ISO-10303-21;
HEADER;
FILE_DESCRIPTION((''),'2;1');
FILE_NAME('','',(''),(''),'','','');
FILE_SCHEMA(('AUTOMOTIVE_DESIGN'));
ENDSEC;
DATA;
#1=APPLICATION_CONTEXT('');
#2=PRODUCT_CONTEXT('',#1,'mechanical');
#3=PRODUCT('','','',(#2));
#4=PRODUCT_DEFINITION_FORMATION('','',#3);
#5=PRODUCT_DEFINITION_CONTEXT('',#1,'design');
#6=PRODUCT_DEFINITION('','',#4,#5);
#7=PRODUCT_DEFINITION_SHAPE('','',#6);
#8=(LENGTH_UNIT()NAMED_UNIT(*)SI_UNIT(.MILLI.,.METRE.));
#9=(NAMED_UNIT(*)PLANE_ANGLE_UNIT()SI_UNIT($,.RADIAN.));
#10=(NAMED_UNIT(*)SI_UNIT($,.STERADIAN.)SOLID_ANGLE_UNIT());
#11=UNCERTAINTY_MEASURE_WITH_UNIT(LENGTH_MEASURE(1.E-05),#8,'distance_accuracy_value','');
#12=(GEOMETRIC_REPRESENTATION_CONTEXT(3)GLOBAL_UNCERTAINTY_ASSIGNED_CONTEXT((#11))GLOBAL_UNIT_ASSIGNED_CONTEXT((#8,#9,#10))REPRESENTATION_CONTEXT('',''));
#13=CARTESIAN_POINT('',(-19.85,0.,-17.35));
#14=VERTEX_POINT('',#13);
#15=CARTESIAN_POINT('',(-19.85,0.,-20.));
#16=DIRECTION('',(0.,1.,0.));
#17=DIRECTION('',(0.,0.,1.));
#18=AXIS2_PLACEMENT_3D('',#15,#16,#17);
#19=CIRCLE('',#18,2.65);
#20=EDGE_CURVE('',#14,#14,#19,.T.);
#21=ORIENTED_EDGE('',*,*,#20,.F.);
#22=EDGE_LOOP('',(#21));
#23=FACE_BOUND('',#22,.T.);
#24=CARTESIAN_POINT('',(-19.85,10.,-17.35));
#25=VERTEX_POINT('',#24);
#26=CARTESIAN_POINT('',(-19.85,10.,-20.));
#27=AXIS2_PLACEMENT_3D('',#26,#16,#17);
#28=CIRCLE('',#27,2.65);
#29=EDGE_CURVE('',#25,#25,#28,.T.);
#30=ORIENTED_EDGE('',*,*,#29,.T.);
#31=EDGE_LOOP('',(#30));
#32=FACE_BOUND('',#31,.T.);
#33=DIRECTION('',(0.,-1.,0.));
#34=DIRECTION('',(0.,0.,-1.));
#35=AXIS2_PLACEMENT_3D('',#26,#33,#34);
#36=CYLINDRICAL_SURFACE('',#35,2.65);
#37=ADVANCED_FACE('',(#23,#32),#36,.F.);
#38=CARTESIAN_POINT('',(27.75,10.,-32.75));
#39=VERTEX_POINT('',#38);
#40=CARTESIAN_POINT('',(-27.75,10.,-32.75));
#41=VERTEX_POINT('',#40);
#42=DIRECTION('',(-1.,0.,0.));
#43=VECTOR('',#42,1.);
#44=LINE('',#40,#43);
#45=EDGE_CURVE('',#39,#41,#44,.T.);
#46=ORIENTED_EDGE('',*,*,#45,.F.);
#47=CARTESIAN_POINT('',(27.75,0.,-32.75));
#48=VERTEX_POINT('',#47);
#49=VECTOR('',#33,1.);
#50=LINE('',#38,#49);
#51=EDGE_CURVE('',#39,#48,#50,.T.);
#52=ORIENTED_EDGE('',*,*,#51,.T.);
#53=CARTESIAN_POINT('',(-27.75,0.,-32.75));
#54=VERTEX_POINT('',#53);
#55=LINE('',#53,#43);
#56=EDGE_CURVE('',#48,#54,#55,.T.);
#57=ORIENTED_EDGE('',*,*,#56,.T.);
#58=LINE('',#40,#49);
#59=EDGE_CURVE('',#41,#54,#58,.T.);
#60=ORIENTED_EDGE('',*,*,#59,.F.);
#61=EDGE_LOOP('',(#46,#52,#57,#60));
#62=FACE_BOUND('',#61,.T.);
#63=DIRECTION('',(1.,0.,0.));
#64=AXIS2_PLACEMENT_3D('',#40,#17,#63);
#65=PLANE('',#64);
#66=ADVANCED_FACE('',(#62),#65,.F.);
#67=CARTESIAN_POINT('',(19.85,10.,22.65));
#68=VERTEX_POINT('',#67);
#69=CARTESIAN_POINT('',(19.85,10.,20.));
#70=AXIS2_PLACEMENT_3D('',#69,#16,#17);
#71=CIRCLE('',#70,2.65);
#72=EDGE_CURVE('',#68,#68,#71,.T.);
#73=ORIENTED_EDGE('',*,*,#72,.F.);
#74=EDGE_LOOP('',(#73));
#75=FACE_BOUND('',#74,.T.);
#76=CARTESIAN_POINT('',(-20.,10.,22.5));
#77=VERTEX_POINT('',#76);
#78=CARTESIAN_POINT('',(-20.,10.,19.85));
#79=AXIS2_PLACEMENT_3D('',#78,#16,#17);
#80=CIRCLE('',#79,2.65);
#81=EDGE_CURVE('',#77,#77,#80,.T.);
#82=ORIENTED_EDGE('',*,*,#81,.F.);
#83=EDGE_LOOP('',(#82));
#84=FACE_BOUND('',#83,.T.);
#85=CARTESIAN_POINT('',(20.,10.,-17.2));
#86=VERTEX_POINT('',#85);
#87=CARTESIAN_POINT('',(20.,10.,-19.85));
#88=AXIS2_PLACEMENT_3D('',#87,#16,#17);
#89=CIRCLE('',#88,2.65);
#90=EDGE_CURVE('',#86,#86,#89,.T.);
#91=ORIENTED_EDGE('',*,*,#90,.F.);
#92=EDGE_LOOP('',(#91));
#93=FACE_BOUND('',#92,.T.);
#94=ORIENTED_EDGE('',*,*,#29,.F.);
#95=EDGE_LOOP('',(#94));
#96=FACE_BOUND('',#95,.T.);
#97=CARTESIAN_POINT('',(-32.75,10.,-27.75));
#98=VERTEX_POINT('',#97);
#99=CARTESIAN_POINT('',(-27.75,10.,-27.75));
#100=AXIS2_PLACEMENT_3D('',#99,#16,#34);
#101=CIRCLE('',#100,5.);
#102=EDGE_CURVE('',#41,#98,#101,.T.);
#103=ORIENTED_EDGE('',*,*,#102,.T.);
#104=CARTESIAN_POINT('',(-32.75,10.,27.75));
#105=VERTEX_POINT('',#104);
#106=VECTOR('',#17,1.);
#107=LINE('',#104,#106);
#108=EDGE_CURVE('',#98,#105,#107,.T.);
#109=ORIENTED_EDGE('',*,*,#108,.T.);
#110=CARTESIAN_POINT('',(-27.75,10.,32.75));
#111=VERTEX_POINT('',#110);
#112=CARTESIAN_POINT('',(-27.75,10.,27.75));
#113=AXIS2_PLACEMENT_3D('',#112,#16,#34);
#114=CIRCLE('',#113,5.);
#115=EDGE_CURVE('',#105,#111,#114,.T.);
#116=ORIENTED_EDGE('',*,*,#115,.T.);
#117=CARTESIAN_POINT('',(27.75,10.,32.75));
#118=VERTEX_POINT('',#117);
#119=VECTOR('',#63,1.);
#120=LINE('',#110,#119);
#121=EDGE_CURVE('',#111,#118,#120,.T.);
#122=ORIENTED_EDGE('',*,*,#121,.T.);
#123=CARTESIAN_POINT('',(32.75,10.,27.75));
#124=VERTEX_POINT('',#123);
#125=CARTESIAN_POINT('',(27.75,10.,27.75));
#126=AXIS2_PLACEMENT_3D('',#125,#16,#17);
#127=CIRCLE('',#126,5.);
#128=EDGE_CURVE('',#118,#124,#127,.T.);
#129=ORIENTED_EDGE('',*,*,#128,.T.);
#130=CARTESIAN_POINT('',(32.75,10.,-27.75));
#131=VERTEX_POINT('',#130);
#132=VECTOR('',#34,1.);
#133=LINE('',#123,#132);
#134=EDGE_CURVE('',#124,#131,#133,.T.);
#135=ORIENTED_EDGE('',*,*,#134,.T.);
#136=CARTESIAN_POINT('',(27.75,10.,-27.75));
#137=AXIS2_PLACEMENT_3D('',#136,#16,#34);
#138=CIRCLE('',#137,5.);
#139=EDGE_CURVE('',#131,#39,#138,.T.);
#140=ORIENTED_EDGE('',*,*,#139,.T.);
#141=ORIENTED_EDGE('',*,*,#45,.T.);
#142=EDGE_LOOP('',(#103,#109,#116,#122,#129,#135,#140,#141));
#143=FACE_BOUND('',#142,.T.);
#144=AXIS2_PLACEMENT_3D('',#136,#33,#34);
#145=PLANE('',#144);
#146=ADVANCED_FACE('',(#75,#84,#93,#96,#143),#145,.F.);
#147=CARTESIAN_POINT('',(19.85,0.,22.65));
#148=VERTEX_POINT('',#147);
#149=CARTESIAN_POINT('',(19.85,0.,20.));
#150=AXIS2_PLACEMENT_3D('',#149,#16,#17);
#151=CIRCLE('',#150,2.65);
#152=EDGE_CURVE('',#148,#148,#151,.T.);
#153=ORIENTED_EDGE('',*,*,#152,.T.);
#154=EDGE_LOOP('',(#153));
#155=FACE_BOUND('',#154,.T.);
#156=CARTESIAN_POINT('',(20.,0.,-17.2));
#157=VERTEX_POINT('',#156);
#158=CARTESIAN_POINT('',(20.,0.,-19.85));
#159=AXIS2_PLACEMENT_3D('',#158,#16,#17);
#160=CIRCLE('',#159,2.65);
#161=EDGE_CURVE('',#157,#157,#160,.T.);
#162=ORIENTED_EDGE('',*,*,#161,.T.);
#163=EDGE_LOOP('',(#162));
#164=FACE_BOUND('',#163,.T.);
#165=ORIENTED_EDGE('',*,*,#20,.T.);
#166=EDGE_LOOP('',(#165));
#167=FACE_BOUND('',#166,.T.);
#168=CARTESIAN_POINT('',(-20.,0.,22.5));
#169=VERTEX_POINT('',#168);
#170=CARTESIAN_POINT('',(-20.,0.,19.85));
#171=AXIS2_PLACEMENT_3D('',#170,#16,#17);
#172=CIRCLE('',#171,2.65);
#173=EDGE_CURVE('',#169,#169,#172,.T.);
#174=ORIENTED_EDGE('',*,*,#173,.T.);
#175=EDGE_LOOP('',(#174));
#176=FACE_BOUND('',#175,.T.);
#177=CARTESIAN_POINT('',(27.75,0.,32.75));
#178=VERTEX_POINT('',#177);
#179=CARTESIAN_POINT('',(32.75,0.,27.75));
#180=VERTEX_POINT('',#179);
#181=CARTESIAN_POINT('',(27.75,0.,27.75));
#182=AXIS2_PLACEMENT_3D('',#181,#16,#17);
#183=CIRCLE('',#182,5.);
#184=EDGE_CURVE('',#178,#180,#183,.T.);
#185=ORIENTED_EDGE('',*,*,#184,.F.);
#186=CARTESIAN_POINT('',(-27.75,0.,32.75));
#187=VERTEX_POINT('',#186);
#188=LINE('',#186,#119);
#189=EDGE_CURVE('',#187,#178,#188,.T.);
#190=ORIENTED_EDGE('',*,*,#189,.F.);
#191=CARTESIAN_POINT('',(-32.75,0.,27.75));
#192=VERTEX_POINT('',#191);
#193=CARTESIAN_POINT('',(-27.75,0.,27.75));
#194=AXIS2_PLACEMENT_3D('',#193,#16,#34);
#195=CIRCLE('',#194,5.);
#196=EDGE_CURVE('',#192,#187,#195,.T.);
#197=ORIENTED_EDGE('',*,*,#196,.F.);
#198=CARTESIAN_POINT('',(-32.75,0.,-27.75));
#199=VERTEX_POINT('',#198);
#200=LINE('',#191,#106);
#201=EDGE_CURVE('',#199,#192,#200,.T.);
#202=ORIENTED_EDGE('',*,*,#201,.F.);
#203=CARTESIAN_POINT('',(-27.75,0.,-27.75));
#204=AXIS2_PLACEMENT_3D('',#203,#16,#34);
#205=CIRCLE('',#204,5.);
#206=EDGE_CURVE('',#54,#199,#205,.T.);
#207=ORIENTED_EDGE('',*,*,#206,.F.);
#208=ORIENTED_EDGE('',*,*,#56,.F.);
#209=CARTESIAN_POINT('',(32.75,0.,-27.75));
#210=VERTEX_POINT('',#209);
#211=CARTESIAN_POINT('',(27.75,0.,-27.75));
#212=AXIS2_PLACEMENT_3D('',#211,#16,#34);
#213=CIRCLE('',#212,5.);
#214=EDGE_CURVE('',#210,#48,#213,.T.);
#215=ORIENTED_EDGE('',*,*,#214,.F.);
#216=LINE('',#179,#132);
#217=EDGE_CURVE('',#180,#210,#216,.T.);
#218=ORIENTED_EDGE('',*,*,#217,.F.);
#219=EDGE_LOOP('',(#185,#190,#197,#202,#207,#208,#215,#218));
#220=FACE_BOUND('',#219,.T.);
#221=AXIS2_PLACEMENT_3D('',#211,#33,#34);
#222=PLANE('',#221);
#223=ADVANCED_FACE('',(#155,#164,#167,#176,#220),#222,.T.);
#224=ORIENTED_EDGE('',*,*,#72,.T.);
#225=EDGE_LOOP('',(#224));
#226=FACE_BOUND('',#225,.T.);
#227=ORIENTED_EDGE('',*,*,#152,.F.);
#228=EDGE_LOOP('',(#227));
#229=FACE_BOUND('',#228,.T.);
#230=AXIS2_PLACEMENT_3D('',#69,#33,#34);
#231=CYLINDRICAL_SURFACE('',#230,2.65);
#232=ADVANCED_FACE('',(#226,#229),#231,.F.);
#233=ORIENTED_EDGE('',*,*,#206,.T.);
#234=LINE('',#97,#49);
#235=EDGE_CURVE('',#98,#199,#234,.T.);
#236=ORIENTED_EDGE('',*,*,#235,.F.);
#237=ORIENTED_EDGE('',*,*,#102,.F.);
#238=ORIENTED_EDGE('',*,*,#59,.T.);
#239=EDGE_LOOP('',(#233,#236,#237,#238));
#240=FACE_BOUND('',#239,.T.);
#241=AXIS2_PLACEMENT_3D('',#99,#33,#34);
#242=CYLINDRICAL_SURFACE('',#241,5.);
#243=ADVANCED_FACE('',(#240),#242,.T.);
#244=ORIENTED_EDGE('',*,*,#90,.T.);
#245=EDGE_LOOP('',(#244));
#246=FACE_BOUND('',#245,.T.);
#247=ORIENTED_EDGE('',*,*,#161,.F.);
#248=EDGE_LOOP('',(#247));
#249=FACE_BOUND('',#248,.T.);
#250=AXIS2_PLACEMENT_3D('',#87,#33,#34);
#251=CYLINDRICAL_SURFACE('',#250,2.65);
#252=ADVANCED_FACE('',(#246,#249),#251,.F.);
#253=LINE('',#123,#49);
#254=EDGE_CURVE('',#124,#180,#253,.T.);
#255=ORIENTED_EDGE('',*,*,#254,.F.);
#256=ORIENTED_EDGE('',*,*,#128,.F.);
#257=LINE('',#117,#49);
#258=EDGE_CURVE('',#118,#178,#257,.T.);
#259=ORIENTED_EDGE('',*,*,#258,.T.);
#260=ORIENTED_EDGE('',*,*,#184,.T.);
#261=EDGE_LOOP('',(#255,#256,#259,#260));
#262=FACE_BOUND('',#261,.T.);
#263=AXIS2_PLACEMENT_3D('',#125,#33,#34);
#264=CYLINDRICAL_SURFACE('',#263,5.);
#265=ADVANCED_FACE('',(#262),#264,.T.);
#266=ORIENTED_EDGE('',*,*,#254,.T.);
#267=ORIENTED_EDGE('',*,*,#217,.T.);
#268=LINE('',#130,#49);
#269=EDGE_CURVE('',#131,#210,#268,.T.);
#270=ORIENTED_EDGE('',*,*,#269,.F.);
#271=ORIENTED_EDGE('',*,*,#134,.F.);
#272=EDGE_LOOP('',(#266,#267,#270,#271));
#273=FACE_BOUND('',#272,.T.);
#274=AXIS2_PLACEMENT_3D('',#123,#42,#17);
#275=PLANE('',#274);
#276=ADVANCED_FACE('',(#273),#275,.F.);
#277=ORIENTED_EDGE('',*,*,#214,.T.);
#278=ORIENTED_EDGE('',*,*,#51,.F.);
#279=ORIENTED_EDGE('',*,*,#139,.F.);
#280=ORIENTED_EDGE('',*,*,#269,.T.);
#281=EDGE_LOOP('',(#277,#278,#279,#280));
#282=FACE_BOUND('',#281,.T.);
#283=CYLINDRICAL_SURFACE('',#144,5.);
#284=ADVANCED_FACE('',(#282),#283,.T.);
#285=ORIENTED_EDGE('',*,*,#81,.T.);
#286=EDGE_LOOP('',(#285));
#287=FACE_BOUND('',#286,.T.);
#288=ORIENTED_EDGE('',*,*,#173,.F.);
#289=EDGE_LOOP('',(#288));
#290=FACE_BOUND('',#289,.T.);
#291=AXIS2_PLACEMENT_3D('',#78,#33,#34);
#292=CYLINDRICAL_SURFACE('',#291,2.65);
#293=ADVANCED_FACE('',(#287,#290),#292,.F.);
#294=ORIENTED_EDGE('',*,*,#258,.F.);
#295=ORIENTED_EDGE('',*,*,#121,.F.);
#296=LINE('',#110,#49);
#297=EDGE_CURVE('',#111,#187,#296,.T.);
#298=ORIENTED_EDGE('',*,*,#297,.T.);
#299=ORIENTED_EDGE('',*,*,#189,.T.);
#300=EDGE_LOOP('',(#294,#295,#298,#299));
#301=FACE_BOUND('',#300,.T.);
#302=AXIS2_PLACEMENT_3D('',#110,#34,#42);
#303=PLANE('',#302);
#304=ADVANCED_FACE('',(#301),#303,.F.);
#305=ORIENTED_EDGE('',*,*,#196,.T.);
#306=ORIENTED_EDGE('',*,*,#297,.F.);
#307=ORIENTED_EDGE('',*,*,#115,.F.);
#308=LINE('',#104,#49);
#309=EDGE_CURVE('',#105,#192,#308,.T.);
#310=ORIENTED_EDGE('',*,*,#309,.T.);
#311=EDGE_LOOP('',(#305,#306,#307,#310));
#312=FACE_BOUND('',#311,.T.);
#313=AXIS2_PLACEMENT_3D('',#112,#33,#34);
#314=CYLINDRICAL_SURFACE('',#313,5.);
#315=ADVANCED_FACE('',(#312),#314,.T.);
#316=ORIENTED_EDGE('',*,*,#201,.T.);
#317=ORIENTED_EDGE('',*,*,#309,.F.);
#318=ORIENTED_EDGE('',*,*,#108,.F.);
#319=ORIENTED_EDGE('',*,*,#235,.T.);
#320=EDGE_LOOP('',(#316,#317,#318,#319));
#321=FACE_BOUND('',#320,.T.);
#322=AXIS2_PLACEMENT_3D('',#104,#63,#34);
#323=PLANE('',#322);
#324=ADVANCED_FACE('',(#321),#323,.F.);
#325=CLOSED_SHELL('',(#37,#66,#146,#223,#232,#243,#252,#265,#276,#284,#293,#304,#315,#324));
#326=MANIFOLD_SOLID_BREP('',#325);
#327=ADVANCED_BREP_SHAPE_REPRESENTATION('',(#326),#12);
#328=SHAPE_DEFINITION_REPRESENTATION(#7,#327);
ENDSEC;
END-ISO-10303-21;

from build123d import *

# Parameters (mm, degrees)
SKETCH2_R           = 2.65
BOSS_EXTRUDE1_DEPTH = 10


with BuildPart() as part:
    # Sketch2 → Boss-Extrude1 (new body)
    with BuildSketch(Plane(origin=(0, 0, 0), x_dir=(1, 0, 0), z_dir=(0, 1, 0))):
        with BuildLine():
            Line((-27.75, -32.75), (27.75, -32.75))
            ThreePointArc((27.75, -32.75), (31.285533906, -31.285533906), (32.75, -27.75))
            Line((32.75, -27.75), (32.75, 27.75))
            ThreePointArc((32.75, 27.75), (31.285533906, 31.285533906), (27.75, 32.75))
            Line((27.75, 32.75), (-27.75, 32.75))
            ThreePointArc((-27.75, 32.75), (-31.285533906, 31.285533906), (-32.75, 27.75))
            Line((-32.75, 27.75), (-32.75, -27.75))
            ThreePointArc((-32.75, -27.75), (-31.285533906, -31.285533906), (-27.75, -32.75))
        make_face()
        with Locations(Location((-19.85, 20, 0), (0, 0, 270))):
            Circle(SKETCH2_R, mode=Mode.SUBTRACT)
        with Locations(Location((20, 19.85, 0), (0, 0, 270))):
            Circle(SKETCH2_R, mode=Mode.SUBTRACT)
        with Locations(Location((19.85, -20, 0), (0, 0, 270))):
            Circle(SKETCH2_R, mode=Mode.SUBTRACT)
        with Locations(Location((-20, -19.85, 0), (0, 0, 270))):
            Circle(SKETCH2_R, mode=Mode.SUBTRACT)
    extrude(amount=BOSS_EXTRUDE1_DEPTH)


solid = part.part
